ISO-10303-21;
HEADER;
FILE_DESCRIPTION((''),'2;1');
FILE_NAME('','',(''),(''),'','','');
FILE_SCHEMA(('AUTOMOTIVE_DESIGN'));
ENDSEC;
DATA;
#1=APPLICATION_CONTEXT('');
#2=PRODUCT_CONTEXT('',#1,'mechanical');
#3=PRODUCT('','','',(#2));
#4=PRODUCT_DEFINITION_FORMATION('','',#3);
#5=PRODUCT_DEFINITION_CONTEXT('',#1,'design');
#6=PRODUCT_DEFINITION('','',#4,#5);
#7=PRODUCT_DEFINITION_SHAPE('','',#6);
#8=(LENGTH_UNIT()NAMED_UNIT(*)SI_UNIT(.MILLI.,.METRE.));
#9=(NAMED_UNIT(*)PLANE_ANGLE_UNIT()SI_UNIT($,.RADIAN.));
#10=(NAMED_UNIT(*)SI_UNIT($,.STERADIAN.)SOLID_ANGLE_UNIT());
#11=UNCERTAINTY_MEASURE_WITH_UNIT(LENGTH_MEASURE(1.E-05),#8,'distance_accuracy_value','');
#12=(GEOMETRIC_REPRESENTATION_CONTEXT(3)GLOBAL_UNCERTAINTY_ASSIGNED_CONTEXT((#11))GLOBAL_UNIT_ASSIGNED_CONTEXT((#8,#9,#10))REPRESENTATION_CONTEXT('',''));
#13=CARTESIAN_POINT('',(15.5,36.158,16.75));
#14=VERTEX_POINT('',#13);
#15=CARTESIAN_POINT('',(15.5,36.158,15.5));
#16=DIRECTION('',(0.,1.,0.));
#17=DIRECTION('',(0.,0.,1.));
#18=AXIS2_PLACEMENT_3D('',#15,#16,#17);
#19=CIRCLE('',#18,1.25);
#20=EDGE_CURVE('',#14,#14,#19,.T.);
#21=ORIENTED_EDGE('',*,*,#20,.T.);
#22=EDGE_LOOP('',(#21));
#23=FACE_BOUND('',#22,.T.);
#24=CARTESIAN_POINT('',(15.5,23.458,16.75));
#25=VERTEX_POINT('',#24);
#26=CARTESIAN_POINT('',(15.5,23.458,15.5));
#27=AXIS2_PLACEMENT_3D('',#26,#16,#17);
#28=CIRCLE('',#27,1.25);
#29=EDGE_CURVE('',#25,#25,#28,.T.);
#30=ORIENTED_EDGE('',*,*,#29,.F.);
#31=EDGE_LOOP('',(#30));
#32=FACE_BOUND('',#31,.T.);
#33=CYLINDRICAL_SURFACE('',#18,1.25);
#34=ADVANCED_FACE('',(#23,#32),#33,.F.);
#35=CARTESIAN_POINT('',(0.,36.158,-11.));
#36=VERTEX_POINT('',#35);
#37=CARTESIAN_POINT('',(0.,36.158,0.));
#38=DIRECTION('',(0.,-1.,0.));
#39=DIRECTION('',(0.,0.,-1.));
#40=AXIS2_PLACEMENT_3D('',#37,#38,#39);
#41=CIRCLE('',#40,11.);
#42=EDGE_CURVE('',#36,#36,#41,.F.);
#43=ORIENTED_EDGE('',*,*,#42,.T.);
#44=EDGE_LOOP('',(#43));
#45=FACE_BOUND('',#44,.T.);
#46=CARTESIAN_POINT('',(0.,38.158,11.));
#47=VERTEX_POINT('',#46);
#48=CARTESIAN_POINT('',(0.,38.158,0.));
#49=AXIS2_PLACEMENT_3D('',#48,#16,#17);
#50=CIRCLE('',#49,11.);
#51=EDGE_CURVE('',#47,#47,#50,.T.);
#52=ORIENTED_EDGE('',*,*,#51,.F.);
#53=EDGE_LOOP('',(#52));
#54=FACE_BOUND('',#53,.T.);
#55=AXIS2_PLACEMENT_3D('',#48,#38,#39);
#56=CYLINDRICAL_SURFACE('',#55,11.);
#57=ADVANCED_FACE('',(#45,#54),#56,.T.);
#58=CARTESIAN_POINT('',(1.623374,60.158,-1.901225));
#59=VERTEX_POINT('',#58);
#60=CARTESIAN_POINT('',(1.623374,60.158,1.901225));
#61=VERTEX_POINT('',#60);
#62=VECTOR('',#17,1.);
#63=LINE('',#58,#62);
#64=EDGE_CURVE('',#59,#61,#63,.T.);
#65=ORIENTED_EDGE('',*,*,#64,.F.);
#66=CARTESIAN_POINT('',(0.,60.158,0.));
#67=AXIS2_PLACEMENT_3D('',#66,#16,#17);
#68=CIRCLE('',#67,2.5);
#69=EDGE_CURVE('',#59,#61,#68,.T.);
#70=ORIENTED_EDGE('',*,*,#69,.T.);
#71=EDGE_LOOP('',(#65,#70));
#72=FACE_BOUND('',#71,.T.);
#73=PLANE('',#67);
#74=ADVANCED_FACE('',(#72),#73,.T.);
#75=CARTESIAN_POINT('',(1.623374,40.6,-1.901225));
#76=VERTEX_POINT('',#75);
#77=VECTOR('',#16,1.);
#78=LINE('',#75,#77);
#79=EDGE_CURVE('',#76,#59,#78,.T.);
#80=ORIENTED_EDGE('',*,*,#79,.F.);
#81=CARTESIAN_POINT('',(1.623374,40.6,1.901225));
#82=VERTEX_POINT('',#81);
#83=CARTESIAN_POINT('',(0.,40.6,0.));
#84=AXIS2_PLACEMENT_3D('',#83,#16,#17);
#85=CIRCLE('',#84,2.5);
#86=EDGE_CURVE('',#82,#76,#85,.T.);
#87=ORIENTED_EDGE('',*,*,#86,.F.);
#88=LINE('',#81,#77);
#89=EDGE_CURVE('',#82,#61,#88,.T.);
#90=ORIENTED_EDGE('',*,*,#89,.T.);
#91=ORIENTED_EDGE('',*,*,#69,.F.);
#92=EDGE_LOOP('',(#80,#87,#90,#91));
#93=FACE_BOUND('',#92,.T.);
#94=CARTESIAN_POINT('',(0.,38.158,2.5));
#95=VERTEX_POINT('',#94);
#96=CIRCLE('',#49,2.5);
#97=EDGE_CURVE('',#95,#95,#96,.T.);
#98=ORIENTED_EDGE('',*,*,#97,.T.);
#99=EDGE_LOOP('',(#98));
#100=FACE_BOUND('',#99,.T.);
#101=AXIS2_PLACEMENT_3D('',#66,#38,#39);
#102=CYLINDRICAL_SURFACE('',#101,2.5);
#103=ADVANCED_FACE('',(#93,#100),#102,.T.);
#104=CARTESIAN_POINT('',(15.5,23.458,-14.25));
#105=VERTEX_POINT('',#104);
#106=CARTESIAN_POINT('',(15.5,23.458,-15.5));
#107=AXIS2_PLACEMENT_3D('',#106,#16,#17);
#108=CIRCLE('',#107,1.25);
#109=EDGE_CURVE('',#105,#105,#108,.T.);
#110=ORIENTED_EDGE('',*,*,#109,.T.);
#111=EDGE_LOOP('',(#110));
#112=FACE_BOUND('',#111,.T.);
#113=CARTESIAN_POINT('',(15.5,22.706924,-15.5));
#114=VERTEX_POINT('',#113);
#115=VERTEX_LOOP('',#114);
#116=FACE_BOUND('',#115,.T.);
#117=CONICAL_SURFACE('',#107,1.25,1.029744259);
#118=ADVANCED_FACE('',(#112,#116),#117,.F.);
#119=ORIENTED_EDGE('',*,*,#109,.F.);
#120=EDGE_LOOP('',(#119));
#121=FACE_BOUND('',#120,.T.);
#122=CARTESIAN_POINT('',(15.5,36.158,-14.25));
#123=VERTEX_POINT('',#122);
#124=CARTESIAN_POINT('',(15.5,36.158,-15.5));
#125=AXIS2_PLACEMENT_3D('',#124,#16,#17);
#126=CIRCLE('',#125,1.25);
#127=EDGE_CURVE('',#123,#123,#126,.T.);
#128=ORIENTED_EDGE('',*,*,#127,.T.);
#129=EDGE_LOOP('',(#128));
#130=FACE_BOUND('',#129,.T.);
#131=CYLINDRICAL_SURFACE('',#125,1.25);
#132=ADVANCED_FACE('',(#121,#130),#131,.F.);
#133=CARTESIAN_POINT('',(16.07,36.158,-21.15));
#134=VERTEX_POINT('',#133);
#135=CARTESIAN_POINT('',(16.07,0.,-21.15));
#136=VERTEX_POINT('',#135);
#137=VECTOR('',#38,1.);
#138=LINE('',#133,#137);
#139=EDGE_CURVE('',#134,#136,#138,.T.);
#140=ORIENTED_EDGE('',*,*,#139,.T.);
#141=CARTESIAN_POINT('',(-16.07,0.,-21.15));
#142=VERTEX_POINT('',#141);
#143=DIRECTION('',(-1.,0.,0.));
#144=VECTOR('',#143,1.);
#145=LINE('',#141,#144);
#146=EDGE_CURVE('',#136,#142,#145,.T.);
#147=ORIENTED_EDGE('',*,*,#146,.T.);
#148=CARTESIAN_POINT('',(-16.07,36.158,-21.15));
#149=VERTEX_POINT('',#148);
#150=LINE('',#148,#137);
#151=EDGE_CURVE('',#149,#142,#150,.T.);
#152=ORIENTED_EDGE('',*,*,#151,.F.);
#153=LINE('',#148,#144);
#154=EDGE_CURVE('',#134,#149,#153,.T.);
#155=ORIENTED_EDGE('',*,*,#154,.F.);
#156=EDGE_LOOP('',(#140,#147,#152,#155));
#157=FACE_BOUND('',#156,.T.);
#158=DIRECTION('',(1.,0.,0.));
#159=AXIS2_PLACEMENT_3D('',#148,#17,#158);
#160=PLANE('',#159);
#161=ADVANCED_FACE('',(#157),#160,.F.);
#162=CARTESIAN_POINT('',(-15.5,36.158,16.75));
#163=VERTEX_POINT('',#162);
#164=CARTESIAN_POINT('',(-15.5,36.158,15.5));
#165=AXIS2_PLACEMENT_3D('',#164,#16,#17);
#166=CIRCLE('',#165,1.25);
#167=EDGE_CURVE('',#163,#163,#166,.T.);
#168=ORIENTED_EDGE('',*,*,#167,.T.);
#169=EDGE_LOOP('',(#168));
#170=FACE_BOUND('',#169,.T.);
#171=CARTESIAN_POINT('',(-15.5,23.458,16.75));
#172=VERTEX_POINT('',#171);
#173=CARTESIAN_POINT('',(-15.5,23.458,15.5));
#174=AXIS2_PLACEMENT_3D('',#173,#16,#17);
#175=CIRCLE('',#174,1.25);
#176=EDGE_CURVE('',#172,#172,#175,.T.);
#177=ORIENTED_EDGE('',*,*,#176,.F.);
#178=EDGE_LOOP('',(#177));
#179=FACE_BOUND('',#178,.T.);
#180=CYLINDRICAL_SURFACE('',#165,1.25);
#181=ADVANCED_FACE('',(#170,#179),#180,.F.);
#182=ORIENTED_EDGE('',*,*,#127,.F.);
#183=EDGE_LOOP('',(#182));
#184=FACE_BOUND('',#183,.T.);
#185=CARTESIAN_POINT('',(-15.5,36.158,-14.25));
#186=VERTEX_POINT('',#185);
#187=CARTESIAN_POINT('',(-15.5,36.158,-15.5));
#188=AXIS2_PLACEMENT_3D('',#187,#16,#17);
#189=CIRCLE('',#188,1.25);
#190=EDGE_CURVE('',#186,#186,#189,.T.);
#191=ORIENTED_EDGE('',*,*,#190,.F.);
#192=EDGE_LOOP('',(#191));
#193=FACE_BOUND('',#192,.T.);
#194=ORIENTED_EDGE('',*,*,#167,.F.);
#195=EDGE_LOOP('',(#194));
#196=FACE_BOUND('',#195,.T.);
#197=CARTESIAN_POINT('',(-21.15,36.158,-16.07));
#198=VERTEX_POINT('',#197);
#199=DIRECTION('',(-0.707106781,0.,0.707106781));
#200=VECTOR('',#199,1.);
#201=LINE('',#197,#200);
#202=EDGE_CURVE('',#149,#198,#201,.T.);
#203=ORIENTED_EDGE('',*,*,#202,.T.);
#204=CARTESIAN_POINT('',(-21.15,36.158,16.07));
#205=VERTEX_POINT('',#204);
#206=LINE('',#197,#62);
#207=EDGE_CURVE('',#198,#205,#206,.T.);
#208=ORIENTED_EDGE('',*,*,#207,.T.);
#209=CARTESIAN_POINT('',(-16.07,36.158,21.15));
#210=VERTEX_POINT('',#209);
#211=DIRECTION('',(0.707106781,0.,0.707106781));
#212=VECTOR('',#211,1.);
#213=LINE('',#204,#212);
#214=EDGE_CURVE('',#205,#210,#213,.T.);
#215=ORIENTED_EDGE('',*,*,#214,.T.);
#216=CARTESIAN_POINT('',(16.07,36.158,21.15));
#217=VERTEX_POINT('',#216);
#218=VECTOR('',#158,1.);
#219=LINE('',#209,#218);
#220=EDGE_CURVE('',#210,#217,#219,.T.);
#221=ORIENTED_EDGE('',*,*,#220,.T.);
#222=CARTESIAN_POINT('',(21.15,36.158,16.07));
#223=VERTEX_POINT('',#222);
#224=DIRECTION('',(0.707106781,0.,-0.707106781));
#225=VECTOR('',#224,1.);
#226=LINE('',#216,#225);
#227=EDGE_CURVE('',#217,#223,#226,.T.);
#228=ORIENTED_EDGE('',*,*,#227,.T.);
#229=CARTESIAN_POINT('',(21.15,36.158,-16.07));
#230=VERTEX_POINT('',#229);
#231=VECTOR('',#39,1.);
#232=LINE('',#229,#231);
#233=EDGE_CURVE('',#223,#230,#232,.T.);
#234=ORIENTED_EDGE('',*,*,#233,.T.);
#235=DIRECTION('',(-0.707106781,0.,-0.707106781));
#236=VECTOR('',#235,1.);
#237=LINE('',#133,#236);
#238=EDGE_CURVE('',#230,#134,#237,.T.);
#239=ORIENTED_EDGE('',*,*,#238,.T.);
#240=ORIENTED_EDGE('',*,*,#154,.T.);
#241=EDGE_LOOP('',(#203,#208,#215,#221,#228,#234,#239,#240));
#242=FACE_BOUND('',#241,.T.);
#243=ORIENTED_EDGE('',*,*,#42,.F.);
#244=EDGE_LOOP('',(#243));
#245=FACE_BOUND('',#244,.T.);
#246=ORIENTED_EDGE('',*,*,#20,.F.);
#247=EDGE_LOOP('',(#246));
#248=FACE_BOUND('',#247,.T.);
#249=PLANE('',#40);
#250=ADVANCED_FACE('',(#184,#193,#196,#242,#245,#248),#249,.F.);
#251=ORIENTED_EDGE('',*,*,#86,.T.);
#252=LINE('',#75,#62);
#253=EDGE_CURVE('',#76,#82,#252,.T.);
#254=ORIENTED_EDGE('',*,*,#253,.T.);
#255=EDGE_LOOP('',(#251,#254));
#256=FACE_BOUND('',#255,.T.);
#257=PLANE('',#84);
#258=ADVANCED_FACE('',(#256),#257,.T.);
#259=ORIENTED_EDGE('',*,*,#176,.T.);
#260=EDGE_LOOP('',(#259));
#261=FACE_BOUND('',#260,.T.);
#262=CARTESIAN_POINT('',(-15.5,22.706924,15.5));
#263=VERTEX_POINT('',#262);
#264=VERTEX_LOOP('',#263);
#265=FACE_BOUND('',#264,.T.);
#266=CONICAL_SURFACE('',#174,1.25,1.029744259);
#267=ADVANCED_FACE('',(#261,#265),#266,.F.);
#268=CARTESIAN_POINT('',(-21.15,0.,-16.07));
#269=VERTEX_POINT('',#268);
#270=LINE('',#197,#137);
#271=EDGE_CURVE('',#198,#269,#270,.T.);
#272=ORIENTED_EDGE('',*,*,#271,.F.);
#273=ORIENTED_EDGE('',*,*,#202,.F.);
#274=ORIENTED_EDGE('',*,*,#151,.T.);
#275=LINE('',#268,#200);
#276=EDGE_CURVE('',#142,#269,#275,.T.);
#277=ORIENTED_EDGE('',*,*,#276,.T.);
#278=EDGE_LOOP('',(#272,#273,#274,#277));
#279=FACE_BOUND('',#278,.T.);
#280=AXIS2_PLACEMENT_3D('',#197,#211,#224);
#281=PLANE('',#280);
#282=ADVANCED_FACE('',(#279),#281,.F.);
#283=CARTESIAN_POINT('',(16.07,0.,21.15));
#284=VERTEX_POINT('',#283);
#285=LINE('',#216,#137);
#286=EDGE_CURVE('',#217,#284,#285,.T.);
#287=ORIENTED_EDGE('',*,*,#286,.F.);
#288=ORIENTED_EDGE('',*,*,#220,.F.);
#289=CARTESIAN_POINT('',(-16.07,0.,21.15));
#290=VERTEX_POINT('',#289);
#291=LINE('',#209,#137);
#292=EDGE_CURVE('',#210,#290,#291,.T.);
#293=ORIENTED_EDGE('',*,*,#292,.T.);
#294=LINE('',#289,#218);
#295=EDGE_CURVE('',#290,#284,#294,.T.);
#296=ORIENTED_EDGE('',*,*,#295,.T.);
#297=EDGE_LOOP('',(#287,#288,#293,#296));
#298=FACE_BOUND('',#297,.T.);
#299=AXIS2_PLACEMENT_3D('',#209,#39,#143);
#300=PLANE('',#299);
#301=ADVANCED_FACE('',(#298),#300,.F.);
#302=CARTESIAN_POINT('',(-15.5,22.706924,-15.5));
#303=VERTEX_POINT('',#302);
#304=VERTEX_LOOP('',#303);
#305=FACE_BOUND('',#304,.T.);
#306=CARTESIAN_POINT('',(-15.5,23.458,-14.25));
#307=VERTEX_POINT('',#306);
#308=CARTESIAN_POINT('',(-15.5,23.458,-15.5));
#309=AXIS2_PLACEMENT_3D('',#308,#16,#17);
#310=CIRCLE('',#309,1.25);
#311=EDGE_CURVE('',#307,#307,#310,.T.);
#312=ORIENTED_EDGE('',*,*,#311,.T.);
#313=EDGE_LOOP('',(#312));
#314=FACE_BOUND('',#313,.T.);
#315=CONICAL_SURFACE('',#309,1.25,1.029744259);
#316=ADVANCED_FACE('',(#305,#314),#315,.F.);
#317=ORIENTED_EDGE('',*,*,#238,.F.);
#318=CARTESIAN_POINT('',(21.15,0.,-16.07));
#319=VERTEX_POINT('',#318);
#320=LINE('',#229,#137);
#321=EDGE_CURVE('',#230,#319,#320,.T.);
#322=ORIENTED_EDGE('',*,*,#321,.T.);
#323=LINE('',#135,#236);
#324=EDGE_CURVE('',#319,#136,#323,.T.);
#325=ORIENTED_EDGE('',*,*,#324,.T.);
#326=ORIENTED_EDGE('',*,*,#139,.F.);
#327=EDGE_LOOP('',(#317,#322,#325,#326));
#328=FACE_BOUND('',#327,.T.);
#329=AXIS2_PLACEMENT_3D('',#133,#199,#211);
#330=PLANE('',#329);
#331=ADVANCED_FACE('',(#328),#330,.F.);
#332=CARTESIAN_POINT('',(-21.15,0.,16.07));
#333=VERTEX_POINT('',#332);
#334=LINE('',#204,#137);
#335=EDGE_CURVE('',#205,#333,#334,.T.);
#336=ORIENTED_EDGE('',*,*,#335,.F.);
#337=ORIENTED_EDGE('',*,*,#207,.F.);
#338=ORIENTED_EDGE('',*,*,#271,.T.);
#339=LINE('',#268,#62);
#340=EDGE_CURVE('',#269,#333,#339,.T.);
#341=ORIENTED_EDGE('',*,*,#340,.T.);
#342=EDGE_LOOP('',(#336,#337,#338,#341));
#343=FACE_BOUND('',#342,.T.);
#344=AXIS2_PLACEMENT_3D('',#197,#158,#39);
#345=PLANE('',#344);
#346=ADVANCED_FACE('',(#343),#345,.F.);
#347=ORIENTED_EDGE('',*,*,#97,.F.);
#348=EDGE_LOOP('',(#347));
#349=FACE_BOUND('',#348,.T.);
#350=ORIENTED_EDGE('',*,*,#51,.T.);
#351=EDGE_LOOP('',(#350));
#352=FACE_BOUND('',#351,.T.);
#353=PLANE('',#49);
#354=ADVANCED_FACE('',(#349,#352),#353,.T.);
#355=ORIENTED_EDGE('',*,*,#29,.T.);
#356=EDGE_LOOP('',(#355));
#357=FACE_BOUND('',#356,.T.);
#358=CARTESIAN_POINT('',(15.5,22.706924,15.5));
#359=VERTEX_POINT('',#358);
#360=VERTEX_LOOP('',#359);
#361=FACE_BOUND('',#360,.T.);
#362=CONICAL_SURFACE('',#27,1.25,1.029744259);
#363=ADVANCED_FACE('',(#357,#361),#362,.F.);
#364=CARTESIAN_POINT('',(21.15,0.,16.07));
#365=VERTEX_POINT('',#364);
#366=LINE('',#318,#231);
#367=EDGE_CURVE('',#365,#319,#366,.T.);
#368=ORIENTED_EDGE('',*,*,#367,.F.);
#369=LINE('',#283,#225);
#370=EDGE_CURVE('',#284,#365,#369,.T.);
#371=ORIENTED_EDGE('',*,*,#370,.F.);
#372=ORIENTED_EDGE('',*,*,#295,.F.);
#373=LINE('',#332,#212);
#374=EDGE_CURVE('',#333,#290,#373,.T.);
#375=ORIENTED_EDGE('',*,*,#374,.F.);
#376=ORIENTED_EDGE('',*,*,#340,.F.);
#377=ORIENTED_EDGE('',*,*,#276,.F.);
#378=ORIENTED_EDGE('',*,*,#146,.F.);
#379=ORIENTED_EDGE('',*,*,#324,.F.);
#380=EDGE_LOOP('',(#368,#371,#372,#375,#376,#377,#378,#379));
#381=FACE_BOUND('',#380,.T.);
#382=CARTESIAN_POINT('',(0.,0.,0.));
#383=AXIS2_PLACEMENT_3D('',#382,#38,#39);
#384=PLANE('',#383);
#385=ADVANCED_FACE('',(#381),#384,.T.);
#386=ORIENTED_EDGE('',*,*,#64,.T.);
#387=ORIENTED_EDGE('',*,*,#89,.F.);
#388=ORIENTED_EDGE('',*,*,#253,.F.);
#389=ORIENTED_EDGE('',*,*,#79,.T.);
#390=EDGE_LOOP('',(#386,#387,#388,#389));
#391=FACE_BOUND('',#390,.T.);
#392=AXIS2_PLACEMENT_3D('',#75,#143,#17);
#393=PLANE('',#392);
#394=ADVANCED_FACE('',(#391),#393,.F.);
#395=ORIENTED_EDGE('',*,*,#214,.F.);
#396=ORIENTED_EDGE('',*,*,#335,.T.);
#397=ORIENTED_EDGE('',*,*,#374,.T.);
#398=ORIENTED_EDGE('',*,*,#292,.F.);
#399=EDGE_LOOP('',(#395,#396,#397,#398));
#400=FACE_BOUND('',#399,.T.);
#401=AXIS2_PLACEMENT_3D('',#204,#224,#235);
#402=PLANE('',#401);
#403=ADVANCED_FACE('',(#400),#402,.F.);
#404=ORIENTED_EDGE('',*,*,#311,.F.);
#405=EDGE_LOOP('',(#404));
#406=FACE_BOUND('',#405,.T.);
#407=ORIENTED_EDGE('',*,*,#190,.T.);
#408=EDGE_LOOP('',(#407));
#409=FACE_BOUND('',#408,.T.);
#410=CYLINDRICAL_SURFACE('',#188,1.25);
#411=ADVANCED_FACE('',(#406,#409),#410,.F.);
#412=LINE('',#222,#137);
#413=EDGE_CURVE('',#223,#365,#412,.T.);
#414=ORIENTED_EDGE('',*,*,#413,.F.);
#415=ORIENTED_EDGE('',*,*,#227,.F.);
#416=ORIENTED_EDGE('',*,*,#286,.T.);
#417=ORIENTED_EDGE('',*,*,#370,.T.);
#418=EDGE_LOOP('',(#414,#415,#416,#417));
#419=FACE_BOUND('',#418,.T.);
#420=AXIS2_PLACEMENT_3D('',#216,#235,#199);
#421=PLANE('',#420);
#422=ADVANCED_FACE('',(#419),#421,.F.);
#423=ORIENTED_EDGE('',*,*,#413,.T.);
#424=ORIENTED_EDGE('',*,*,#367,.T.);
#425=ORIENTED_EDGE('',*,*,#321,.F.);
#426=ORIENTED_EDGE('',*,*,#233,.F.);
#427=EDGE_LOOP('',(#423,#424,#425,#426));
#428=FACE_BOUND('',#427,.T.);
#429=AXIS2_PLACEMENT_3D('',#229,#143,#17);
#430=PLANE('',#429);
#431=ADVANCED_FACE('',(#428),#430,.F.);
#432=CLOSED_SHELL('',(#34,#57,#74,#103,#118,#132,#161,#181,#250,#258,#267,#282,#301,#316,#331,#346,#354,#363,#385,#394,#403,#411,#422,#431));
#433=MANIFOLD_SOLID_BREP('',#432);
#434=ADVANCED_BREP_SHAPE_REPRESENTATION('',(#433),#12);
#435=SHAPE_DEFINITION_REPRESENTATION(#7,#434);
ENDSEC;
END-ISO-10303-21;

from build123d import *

# Parameters (mm, degrees)
BOSS_EXTRUDE1_DEPTH             = 36.158
TAP_DRILL_FOR_M3X0_5_TAP1_D     = 2.5
TAP_DRILL_FOR_M3X0_5_TAP1_DEPTH = 12.7
TAP_DRILL_FOR_M3X0_5_TAP1_TIP   = 0.751075774
SKETCH4_R                       = 11
BOSS_EXTRUDE2_DEPTH             = 2
SKETCH5_R                       = 2.5
BOSS_EXTRUDE3_DEPTH             = 22
CUT_EXTRUDE1_DEPTH              = 19.558


with BuildPart() as part:
    # Sketch1 → Boss-Extrude1 (new body)
    with BuildSketch(Plane(origin=(0, 0, 0), x_dir=(1, 0, 0), z_dir=(0, 1, 0))):
        Polygon((-21.15, 16.07), (-16.07, 21.15), (16.07, 21.15), (21.15, 16.07), (21.15, -16.07), (16.07, -21.15), (-16.07, -21.15), (-21.15, -16.07), align=None)
    extrude(amount=BOSS_EXTRUDE1_DEPTH)

    # Tap Drill for M3x0.5 Tap1
    with Locations(Plane(origin=(0, 36.158, 0), x_dir=(1, 0, 0), z_dir=(0, 1, 0))):
        with Locations((-15.5, 15.5), (15.5, 15.5), (15.5, -15.5), (-15.5, -15.5)):
            Hole(TAP_DRILL_FOR_M3X0_5_TAP1_D / 2, depth=TAP_DRILL_FOR_M3X0_5_TAP1_DEPTH)
            with Locations((0, 0, -(TAP_DRILL_FOR_M3X0_5_TAP1_DEPTH + TAP_DRILL_FOR_M3X0_5_TAP1_TIP / 2))):  # 118° drill point
                Cone(0, TAP_DRILL_FOR_M3X0_5_TAP1_D / 2, TAP_DRILL_FOR_M3X0_5_TAP1_TIP, mode=Mode.SUBTRACT)

    # Sketch4 → Boss-Extrude2 (add)
    with BuildSketch(Plane(origin=(0, 36.158, 0), x_dir=(1, 0, 0), z_dir=(0, 1, 0))):
        Circle(SKETCH4_R)
    extrude(amount=BOSS_EXTRUDE2_DEPTH)

    # Sketch5 → Boss-Extrude3 (add)
    with BuildSketch(Plane(origin=(0, 38.158, 0), x_dir=(1, 0, 0), z_dir=(0, 1, 0))):
        Circle(SKETCH5_R)
    extrude(amount=BOSS_EXTRUDE3_DEPTH)

    # Sketch6 → Cut-Extrude1 (cut)
    with BuildSketch(Plane(origin=(0, 60.158, 0), x_dir=(1, 0, 0), z_dir=(0, 1, 0))):
        with BuildLine():
            Line((1.623373896, 1.901225182), (1.623373896, -1.901225182))
            ThreePointArc((1.623373896, -1.901225182), (2.5, 0), (1.623373896, 1.901225182))
        make_face()
    extrude(amount=-CUT_EXTRUDE1_DEPTH, mode=Mode.SUBTRACT)


solid = part.part
